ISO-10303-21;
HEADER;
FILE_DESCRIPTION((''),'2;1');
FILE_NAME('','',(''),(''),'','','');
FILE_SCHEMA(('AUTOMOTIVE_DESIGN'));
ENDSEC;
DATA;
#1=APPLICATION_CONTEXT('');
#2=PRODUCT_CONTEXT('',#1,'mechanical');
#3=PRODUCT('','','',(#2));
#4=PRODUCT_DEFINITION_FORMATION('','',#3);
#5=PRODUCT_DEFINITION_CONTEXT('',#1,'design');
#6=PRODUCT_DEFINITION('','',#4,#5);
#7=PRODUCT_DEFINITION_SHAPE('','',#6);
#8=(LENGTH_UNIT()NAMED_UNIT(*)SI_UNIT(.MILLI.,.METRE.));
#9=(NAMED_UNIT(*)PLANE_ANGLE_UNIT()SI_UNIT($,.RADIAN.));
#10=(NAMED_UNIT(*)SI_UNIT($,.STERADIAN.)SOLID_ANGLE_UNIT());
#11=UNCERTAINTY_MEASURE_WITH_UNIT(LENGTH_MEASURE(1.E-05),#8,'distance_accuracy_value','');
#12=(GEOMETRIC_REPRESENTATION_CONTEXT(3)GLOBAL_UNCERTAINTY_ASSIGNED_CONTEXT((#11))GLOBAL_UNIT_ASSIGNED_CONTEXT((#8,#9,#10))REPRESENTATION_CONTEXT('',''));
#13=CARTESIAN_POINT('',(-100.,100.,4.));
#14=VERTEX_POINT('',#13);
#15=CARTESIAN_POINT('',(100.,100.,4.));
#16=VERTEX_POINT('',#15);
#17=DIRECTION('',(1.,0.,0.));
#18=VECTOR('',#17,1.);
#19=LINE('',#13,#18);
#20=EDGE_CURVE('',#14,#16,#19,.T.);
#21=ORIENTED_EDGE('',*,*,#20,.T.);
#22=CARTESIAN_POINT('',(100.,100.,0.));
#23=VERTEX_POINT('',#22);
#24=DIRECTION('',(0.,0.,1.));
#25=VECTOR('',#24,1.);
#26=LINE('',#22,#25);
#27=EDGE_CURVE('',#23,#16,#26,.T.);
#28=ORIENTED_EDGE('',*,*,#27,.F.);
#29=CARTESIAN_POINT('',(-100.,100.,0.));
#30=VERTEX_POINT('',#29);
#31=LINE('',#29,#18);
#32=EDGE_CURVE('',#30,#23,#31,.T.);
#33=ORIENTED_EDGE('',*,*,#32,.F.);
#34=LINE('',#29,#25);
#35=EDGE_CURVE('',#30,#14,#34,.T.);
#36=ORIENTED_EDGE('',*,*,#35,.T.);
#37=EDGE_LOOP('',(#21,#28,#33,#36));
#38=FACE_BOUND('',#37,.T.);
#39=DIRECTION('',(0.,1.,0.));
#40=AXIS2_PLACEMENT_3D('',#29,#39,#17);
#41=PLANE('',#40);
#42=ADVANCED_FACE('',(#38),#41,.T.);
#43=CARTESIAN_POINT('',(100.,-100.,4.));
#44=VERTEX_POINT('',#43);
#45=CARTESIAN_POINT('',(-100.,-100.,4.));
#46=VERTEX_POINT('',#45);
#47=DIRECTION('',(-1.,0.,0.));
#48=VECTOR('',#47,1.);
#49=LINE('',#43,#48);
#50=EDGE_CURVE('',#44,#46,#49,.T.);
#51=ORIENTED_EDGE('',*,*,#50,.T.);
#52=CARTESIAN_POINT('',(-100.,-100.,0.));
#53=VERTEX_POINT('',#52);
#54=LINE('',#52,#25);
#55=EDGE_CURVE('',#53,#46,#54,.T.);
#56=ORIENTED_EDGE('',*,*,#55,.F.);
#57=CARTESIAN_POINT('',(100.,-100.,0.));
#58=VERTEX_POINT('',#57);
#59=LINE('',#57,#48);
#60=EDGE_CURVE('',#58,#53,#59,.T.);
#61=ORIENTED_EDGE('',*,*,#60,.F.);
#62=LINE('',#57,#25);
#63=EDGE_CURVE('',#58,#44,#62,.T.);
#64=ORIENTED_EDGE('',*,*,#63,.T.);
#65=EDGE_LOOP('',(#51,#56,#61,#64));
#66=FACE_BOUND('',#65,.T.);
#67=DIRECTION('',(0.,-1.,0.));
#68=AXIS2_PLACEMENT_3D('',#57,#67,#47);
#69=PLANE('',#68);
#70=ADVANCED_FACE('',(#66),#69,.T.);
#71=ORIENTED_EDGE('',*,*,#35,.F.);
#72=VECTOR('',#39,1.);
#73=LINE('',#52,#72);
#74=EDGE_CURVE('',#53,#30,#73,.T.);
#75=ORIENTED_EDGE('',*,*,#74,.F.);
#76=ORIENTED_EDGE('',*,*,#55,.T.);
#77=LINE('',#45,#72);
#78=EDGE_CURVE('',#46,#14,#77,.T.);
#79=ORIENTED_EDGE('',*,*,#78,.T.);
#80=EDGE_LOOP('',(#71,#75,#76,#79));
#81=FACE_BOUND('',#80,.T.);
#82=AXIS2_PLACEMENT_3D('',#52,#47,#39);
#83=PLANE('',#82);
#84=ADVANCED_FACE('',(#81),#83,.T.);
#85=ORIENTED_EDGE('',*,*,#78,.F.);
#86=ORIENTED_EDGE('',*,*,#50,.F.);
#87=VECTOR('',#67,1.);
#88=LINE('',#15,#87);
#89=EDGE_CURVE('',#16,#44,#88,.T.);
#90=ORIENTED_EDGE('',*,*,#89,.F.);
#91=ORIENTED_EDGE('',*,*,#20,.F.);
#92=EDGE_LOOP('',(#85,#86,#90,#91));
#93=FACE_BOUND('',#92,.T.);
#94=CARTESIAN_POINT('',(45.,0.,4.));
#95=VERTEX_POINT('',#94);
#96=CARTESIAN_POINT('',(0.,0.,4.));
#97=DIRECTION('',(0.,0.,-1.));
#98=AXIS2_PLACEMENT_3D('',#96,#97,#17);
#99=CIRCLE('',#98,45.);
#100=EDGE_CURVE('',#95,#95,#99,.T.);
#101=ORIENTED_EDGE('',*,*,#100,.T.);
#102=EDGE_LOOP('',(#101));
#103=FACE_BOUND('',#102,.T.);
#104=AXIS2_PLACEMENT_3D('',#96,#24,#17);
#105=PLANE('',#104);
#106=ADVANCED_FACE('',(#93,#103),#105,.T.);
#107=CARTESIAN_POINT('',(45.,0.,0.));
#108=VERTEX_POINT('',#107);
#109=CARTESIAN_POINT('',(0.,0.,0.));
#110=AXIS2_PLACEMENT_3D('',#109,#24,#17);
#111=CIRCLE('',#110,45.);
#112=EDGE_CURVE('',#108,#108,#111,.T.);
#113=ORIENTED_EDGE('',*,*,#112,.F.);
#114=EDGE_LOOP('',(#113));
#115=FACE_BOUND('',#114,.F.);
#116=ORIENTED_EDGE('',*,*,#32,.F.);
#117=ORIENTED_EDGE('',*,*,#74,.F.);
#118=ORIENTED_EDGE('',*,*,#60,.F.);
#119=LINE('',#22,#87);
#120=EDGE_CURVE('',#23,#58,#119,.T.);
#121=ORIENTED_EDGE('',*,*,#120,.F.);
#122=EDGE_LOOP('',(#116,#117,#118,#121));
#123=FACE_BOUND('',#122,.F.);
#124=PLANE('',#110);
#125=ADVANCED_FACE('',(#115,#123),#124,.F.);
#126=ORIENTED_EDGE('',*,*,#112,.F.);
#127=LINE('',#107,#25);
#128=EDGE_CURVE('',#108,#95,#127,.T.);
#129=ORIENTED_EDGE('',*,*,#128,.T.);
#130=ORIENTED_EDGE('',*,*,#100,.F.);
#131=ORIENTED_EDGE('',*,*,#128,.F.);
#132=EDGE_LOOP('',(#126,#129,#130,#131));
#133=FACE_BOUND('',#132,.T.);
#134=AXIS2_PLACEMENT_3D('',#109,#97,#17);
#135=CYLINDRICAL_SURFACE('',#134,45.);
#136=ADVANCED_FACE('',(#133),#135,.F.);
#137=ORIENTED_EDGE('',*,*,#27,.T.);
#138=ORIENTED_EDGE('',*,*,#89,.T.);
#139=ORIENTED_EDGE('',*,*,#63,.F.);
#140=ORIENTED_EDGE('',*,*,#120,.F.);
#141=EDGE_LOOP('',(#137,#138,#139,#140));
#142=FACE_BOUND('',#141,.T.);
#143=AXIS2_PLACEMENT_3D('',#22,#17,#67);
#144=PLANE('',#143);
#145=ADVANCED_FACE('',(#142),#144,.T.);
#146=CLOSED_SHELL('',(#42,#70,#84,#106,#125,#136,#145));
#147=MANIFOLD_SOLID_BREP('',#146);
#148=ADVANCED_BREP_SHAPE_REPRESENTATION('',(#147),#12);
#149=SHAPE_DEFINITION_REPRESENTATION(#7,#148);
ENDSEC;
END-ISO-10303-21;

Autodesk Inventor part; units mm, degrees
ref_plane "YZ Plane" through (0, 0, 0) normal (1, 0, 0) x (0, 1, 0)
ref_plane "XZ Plane" through (0, 0, 0) normal (0, 1, 0) x (-1, 0, 0)
ref_plane "XY Plane" through (0, 0, 0) normal (0, 0, 1) x (1, 0, 0)
sketch "Sketch1" plane through (0, 0, 0) normal (0, 0, 1) x (1, 0, 0)
  line L0 (-100, 100) -> (100, 100)
  line L1 (100, 100) -> (100, -100)
  line L2 (100, -100) -> (-100, -100)
  line L3 (-100, -100) -> (-100, 100)
  line L4 (-100, 100) -> (100, -100) construction
  line L5 (100, 100) -> (-100, -100) construction
  point P0 (0, 0)
  dimension "d0" = 200
  dimension "d1" = 200
extrude "Plate1" add sketch "Sketch1" along normal blind 4
sketch "Sketch2" plane through (0, 0, 0) normal (0, 0, 1) x (1, 0, 0)
  circle A0 centre (0, 0) radius 45
  dimension "d3" = 90
extrude "Extrusion1" cut sketch "Sketch2" along normal blind 10
equation "\"d1\" = d0"
equation "\"d2\" = Thickness"
equation "\"BendRadius\" = Thickness"
equation "\"BendReliefWidth\" = Thickness"
equation "\"BendReliefDepth\" = 0.5 * Thickness"
equation "\"CornerReliefSize\" = 4 * Thickness"
equation "\"MinimumRemnant\" = 2 * Thickness"
equation "\"TransitionRadius\" = BendRadius"
equation "\"JacobiRadiusSize\" = BendRadius"
equation "\"GapSize\" = Thickness"
equation "\"Конус_Угол_продольный\" = 52.4deg"
equation "\"Конус_Угол_поперечный\" = 52deg"
equation "\"Конус_Дно_сторона\" = 200"
equation "\"Конус_ширина_по_оси\" = 1700"
equation "\"Thickness\" = 4"
properties part number "MSC 011 Cone IN bottom" material "Stainless Steel"
